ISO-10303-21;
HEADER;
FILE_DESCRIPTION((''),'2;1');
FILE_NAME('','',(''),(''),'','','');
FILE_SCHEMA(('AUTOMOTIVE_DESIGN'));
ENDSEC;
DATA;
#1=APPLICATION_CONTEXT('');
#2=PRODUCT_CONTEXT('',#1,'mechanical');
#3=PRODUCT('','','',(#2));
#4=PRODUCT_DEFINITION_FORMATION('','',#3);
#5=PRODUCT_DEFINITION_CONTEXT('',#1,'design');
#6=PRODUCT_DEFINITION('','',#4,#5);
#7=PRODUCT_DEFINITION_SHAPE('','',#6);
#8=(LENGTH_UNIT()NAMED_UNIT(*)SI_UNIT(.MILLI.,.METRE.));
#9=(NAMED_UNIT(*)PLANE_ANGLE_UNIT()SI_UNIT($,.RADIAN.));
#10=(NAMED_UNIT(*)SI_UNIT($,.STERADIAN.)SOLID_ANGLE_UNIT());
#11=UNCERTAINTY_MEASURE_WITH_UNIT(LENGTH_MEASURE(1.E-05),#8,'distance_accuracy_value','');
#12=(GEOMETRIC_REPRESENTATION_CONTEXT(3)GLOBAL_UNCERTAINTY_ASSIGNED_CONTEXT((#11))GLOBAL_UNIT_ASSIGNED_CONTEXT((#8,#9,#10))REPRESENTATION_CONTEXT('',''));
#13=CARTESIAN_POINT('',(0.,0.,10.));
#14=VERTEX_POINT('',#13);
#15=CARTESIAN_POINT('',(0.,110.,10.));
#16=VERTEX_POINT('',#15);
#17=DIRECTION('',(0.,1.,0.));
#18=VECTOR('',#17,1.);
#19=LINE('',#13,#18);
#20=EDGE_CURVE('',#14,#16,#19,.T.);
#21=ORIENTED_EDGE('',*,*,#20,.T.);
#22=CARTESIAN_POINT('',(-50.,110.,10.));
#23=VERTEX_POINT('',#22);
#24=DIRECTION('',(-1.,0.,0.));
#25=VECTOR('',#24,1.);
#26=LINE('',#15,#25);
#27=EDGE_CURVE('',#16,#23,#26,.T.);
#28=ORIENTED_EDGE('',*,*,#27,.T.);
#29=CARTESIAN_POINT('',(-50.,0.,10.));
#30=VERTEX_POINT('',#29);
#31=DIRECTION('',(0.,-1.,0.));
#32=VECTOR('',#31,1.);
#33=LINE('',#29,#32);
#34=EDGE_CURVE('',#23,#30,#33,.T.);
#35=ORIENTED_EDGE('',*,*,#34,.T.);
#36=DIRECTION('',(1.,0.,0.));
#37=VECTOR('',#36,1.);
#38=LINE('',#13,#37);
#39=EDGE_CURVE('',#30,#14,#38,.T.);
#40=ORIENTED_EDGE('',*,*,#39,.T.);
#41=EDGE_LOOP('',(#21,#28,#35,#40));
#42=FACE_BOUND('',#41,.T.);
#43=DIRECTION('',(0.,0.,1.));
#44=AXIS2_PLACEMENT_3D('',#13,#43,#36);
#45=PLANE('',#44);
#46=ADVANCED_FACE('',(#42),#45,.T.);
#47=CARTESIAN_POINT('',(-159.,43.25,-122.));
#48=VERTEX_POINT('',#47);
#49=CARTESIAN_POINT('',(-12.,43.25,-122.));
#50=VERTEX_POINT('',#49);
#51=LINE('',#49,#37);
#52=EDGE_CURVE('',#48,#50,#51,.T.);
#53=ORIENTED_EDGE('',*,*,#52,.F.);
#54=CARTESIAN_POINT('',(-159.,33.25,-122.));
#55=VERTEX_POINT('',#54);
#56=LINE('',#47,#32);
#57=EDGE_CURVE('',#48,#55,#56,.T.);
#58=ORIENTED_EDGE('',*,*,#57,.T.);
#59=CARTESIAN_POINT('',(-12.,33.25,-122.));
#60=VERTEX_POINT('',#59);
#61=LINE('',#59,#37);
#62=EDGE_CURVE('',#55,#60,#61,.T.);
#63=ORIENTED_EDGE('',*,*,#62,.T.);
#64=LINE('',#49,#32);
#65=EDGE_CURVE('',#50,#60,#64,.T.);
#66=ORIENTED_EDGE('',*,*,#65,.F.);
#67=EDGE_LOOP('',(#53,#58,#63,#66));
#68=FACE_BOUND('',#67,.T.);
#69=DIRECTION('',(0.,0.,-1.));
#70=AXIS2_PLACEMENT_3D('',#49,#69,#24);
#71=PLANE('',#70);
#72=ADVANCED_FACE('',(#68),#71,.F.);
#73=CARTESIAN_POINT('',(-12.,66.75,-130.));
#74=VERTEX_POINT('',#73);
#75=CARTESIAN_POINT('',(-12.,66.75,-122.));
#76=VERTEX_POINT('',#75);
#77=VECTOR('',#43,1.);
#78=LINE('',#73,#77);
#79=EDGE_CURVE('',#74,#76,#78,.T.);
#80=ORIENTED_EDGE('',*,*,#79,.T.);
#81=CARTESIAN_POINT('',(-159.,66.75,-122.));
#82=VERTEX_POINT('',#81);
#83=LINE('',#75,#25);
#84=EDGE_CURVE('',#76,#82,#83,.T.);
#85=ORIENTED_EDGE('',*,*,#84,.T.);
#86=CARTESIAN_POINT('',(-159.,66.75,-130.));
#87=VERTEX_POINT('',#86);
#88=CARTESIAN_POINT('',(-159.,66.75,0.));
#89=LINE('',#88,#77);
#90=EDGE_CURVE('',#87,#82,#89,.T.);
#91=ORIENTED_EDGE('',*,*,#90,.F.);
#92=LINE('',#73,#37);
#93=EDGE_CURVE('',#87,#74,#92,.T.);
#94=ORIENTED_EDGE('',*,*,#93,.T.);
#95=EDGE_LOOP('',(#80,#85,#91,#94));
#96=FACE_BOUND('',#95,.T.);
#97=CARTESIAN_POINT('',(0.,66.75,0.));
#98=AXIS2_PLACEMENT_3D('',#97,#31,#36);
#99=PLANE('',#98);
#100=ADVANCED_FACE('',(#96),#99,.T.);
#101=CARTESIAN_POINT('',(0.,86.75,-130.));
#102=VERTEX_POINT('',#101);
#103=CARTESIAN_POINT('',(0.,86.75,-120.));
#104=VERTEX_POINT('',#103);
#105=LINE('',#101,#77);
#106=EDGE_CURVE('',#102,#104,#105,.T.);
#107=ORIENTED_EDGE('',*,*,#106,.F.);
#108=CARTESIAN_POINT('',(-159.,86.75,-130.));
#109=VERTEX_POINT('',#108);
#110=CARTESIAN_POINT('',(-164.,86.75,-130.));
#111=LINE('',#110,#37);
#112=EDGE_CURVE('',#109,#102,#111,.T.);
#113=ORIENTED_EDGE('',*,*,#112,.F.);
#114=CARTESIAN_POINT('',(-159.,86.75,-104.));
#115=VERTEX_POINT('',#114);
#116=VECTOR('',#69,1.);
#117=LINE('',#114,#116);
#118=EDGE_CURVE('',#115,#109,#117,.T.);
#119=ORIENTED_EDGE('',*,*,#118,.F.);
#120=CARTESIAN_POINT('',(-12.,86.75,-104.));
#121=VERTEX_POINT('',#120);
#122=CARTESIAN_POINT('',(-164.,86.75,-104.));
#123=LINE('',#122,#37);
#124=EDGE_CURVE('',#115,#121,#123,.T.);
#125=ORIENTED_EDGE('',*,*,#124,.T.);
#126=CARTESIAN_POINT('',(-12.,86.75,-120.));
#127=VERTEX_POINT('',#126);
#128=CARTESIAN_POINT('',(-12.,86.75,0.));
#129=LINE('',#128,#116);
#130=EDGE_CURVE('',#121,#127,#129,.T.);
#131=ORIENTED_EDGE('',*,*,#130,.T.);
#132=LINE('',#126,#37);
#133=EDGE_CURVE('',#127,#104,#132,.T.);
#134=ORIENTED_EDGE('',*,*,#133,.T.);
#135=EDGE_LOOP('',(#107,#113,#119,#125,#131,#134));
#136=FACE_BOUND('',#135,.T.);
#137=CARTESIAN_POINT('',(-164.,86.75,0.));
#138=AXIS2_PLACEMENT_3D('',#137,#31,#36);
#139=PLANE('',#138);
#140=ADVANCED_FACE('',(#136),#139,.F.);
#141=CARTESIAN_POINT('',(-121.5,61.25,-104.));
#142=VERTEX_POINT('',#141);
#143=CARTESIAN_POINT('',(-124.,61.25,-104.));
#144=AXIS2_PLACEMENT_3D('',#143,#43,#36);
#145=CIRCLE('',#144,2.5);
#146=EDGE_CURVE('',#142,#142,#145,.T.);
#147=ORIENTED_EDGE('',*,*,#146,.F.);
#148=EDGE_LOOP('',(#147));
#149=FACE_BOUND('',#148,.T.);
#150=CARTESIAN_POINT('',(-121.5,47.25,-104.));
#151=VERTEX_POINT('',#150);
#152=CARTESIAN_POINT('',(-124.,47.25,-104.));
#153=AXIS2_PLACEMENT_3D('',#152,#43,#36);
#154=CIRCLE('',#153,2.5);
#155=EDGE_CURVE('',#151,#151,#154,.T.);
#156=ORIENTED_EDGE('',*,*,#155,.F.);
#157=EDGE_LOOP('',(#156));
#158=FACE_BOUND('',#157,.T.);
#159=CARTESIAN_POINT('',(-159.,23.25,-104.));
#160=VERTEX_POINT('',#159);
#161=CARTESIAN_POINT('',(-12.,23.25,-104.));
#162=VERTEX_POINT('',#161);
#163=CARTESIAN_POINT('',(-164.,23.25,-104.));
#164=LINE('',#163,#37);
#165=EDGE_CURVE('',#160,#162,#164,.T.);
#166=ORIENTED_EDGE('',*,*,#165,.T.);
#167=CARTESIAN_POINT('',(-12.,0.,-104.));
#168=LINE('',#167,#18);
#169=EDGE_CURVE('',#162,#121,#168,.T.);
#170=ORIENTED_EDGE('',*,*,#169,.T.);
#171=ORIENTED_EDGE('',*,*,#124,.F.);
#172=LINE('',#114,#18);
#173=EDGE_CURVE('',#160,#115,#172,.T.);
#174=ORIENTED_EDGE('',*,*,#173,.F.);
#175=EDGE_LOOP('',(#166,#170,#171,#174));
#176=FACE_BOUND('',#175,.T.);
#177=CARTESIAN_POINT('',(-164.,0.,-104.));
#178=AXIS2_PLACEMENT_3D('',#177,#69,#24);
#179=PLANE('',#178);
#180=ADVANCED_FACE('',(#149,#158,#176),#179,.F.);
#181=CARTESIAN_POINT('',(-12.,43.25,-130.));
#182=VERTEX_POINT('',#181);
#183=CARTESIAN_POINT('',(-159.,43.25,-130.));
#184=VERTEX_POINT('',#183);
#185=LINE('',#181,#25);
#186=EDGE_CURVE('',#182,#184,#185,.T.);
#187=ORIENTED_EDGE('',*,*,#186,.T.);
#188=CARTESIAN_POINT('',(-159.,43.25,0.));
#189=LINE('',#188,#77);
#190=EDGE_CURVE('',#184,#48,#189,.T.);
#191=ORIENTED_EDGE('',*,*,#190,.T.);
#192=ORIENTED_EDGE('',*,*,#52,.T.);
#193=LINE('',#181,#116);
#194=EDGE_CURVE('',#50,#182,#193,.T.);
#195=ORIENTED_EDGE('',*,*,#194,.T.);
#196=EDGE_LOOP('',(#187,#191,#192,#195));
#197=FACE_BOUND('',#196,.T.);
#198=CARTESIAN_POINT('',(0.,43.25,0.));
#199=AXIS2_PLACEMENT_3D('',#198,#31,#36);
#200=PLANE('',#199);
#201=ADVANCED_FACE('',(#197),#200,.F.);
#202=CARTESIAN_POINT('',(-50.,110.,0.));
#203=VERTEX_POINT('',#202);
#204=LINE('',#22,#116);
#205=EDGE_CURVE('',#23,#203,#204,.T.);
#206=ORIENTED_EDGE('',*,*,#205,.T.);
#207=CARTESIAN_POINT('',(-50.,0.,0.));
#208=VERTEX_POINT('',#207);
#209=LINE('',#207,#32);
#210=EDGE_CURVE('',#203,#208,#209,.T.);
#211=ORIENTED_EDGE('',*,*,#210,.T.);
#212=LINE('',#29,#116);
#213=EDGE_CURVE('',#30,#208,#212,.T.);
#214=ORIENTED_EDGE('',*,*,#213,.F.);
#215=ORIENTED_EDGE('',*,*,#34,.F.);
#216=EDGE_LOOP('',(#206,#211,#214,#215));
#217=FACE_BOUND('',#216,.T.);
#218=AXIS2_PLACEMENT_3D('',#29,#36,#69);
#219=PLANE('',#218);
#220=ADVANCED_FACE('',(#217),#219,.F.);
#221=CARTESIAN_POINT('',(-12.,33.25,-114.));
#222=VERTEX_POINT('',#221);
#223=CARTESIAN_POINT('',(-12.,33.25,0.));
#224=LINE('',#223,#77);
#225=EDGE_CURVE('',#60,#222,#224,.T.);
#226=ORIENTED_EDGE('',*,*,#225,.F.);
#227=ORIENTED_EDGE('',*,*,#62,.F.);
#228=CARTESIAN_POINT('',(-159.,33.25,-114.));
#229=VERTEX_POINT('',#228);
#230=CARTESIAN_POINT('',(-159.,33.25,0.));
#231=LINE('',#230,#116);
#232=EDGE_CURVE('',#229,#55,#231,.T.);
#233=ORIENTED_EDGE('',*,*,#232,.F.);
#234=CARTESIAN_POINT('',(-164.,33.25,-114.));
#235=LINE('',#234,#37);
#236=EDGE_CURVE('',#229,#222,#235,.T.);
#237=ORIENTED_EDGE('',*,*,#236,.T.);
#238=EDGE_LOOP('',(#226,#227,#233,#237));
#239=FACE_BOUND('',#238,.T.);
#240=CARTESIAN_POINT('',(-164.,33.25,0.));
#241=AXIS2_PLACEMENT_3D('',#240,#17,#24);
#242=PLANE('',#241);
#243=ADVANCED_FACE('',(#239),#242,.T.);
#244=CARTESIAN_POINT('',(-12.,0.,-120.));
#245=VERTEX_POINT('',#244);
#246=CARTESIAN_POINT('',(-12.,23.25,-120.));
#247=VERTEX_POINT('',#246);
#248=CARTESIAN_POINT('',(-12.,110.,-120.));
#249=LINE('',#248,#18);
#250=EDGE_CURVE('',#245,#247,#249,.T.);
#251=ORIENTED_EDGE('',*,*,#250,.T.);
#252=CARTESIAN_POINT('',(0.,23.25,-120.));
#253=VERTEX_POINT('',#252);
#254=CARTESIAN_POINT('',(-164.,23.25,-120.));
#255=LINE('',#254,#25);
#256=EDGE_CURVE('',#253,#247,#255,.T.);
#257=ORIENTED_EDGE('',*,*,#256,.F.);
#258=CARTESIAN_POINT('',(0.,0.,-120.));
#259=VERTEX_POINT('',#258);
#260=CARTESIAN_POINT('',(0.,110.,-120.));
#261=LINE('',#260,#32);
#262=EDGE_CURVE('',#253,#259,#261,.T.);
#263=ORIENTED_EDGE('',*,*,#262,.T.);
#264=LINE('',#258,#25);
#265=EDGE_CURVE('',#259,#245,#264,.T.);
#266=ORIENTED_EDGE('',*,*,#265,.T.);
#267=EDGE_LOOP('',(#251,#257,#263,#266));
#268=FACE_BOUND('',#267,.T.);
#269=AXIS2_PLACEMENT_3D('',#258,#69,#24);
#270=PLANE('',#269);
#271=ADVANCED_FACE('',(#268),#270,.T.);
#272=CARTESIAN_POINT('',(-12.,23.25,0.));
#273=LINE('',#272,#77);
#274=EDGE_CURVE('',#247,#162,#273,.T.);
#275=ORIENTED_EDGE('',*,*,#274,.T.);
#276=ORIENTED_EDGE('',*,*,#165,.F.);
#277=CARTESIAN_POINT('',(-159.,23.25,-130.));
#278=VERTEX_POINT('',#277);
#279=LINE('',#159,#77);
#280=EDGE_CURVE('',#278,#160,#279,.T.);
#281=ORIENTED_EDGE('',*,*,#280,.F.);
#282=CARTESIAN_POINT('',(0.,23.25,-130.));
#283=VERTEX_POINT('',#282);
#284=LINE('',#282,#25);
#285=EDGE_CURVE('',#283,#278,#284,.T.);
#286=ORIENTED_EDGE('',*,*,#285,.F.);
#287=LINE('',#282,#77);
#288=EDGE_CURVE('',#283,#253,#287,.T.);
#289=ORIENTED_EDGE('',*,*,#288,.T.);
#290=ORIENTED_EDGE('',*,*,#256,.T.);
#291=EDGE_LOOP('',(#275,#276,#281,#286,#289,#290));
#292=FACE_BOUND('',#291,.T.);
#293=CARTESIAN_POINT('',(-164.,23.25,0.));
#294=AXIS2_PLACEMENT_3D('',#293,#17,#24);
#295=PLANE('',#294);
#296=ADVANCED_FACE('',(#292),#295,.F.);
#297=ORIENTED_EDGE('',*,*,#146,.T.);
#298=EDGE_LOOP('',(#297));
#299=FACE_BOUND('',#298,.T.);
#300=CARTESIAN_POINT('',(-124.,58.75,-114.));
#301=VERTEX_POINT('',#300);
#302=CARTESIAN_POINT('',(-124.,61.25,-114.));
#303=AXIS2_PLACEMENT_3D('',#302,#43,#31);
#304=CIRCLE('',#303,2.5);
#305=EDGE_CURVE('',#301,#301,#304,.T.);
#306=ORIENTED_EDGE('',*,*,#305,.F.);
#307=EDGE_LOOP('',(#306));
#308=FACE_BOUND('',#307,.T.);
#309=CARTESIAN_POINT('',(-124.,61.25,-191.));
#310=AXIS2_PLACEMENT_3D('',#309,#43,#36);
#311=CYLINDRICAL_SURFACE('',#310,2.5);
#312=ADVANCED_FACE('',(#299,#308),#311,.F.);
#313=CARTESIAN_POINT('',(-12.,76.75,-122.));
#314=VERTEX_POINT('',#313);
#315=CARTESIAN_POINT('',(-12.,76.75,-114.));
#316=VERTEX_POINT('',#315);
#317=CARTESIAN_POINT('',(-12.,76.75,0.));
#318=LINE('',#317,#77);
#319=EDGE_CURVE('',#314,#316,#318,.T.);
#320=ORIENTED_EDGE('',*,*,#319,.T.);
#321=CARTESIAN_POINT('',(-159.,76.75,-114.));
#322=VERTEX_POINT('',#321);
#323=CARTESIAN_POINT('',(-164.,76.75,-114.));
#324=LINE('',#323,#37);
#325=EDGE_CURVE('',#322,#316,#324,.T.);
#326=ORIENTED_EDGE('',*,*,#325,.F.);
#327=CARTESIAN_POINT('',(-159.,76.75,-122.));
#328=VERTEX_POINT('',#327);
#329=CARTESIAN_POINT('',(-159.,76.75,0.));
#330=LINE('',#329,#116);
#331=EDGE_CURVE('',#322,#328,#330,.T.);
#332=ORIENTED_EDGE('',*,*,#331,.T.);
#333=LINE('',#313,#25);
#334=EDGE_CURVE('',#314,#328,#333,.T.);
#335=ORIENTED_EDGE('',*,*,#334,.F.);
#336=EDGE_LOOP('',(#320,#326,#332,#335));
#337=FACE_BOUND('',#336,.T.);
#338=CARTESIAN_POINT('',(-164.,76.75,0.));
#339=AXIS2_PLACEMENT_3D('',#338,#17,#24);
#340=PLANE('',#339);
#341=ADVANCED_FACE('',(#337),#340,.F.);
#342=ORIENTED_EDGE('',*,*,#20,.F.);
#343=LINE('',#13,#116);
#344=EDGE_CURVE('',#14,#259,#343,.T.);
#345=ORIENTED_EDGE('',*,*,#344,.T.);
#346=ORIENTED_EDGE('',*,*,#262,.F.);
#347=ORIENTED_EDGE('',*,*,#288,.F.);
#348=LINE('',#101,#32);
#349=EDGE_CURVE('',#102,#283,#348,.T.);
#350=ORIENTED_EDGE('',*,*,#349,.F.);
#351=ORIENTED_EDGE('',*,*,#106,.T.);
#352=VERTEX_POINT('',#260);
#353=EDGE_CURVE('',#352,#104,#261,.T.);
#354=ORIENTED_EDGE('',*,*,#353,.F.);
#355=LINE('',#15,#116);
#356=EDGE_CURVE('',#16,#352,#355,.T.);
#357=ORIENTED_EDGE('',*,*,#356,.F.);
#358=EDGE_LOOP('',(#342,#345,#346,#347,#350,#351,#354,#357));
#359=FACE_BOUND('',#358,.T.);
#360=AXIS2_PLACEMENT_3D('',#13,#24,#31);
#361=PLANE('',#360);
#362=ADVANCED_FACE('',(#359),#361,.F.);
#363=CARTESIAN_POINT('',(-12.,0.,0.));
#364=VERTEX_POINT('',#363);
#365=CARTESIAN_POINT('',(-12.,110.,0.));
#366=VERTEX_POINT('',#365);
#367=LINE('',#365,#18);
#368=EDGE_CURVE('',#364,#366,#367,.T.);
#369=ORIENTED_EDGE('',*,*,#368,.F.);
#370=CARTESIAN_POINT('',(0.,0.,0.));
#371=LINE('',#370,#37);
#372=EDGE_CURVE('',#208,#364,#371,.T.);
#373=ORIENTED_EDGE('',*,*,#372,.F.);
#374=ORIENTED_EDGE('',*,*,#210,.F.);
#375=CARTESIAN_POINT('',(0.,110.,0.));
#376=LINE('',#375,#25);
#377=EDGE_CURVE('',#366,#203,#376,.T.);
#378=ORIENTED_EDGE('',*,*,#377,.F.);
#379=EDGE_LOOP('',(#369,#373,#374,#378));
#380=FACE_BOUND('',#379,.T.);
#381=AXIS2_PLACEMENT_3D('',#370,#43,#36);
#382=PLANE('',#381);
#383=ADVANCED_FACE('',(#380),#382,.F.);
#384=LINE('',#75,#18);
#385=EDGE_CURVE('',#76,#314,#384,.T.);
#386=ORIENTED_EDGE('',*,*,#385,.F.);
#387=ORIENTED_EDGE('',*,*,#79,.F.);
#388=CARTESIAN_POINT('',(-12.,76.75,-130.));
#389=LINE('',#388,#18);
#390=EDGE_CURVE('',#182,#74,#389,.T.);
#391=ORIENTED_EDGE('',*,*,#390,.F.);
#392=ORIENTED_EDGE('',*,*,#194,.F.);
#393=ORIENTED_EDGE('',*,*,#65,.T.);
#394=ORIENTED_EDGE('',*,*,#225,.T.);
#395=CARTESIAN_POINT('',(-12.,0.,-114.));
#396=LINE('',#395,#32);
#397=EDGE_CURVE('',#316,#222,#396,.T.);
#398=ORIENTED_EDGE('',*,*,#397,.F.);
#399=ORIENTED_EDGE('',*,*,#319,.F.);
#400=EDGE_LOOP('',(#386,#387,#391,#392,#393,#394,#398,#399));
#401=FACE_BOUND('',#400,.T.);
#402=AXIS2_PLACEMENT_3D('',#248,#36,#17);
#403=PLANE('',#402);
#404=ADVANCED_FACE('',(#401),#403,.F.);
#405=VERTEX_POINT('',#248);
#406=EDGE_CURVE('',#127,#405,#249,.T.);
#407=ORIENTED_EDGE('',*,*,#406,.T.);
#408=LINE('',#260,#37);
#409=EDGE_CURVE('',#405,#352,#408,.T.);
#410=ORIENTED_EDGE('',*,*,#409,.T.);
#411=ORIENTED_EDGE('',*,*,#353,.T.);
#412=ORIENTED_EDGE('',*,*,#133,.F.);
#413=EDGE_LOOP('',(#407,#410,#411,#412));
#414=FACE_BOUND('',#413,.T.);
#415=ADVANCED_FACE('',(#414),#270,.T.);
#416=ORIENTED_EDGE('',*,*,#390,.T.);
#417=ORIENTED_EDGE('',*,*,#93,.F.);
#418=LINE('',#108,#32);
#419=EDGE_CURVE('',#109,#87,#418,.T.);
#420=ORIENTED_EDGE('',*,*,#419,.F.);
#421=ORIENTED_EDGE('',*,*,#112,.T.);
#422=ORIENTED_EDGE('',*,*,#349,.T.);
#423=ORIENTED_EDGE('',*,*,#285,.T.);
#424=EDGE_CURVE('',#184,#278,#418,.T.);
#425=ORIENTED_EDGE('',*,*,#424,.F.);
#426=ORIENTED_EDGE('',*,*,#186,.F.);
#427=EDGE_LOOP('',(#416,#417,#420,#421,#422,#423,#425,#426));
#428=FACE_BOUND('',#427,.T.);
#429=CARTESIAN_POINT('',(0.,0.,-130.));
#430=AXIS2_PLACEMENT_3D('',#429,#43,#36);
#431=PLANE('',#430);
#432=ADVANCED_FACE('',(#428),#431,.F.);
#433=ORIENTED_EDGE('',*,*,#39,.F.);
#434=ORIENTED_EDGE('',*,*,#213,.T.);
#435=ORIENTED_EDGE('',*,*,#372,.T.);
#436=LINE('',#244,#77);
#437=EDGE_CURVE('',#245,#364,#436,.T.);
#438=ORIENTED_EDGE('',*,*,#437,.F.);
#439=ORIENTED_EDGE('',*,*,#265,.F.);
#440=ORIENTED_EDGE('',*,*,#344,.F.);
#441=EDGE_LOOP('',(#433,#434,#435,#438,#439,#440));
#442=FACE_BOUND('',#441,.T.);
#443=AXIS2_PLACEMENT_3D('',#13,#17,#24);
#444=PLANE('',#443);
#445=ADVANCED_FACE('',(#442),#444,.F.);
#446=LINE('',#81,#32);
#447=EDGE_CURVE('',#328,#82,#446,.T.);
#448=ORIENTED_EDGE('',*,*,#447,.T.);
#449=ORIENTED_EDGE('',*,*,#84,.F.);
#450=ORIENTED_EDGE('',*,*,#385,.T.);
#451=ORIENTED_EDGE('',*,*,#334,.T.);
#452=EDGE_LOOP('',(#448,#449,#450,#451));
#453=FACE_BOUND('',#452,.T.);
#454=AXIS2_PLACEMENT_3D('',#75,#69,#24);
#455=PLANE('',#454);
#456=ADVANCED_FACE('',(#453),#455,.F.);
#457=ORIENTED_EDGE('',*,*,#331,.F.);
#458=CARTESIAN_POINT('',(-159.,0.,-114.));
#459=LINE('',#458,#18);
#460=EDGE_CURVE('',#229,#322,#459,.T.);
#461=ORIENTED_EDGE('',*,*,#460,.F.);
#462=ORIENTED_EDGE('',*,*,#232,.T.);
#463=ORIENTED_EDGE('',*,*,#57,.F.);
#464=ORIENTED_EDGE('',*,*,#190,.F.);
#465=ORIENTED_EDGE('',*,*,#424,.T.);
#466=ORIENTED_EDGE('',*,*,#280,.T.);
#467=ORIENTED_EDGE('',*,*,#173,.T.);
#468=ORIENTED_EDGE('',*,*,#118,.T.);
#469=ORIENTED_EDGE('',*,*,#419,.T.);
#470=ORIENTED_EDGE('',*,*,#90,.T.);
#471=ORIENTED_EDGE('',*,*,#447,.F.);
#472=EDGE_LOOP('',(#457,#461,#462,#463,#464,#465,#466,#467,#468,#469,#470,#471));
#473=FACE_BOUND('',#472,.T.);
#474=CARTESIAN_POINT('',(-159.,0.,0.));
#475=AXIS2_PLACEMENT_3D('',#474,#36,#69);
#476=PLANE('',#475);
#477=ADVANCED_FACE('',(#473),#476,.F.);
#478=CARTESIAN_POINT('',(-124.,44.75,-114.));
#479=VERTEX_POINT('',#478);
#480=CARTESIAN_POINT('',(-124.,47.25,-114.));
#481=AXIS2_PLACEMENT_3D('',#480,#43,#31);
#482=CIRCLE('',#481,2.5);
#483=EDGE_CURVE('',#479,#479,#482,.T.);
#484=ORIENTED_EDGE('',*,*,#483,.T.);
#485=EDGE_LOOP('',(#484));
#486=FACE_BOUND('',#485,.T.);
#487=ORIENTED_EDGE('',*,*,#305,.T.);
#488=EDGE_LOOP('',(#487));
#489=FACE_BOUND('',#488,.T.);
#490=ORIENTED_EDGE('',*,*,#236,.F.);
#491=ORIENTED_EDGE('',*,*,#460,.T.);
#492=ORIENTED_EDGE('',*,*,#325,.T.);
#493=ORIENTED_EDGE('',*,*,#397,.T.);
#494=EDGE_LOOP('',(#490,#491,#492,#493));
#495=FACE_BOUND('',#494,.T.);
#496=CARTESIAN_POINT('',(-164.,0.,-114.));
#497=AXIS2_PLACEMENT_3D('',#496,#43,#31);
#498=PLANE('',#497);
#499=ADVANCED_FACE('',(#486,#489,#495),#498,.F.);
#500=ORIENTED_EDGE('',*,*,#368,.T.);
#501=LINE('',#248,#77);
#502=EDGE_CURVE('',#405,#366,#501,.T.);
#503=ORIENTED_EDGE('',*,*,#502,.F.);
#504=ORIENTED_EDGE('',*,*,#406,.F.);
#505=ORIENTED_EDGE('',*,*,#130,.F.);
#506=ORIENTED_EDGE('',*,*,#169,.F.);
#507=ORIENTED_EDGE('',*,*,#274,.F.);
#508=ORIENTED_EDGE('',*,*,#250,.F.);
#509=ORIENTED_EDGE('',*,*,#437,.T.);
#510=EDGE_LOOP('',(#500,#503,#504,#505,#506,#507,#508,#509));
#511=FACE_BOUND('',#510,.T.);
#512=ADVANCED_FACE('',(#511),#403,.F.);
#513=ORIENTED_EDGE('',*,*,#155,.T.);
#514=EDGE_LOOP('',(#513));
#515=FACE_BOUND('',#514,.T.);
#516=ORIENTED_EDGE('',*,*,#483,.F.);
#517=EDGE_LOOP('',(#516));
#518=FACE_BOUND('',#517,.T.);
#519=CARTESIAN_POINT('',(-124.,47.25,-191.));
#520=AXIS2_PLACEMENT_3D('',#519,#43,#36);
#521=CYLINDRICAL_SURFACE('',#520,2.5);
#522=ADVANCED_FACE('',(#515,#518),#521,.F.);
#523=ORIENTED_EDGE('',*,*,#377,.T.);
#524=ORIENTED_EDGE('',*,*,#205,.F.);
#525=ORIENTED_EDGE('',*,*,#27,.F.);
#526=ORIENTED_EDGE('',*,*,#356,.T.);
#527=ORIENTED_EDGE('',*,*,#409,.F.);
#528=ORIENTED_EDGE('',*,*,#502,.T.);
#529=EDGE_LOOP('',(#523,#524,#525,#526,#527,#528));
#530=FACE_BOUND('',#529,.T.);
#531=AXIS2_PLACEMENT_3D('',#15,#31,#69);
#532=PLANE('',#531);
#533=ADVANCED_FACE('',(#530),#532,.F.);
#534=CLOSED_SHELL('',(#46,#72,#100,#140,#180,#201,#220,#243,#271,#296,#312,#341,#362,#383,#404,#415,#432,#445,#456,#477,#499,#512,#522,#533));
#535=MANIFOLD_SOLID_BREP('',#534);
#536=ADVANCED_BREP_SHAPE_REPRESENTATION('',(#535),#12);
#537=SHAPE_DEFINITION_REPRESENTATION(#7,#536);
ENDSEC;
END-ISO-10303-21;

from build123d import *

# Parameters (mm, degrees)
SKETCH1_W           = 50
SKETCH1_H           = 110
BOSS_EXTRUDE1_DEPTH = 10
SKETCH2_W           = 12
SKETCH2_H           = 110
BOSS_EXTRUDE2_DEPTH = 120
BOSS_EXTRUDE4_DEPTH = 152
BOSS_EXTRUDE5_DEPTH = 10
SKETCH5_W           = 152
SKETCH5_H           = 8
BOSS_EXTRUDE6_DEPTH = 10
SKETCH6_W           = 152
SKETCH6_H           = 8
BOSS_EXTRUDE7_DEPTH = 10
SKETCH7_R           = 2.5
CUT_EXTRUDE1_DEPTH  = 87
SKETCH8_W           = 26
SKETCH8_H           = 63.5
CUT_EXTRUDE2_DEPTH  = 5


with BuildPart() as part:
    # Sketch1 → Boss-Extrude1 (new body)
    with BuildSketch(Plane.XY):
        with Locations((-25, 55)):
            Rectangle(SKETCH1_W, SKETCH1_H)
    extrude(amount=BOSS_EXTRUDE1_DEPTH)

    # Sketch2 → Boss-Extrude2 (add)
    with BuildSketch(Plane(origin=(0, 0, 0), x_dir=(-1, 0, 0), z_dir=(0, 0, -1))):
        with Locations((6, 55)):
            Rectangle(SKETCH2_W, SKETCH2_H)
    extrude(amount=BOSS_EXTRUDE2_DEPTH)

    # Sketch3 → Boss-Extrude4 (add)
    with BuildSketch(Plane.ZY.offset(12)):
        Polygon((-120, 86.75), (-120, 76.75), (-114, 76.75), (-114, 33.25), (-120, 33.25), (-120, 23.25), (-104, 23.25), (-104, 86.75), align=None)
    extrude(amount=BOSS_EXTRUDE4_DEPTH)

    # Sketch4 → Boss-Extrude5 (add)
    with BuildSketch(Plane(origin=(0, 0, -120), x_dir=(-1, 0, 0), z_dir=(0, 0, -1))):
        Polygon((12, 86.75), (0, 86.75), (0, 23.25), (12, 23.25), (164, 23.25), (164, 33.25), (12, 33.25), (12, 76.75), (164, 76.75), (164, 86.75), align=None)
    extrude(amount=BOSS_EXTRUDE5_DEPTH)

    # Sketch5 → Boss-Extrude6 (add)
    with BuildSketch(Plane.XZ.offset(-76.75)):
        with Locations((-88, -126)):
            Rectangle(SKETCH5_W, SKETCH5_H)
    extrude(amount=BOSS_EXTRUDE6_DEPTH)

    # Sketch6 → Boss-Extrude7 (add)
    with BuildSketch(Plane(origin=(0, 33.25, 0), x_dir=(1, 0, 0), z_dir=(0, 1, 0))):
        with Locations((-88, 126)):
            Rectangle(SKETCH6_W, SKETCH6_H)
    extrude(amount=BOSS_EXTRUDE7_DEPTH)

    # Sketch7 → Cut-Extrude1 (cut)
    with BuildSketch(Plane.XY.offset(-104)):
        with Locations((-124, 61.25)):
            Circle(SKETCH7_R)
        with Locations((-124, 47.25)):
            Circle(SKETCH7_R)
    extrude(amount=-CUT_EXTRUDE1_DEPTH, mode=Mode.SUBTRACT)

    # Sketch8 → Cut-Extrude2 (cut)
    with BuildSketch(Plane.ZY.offset(164)):
        with Locations((-117, 55)):
            Rectangle(SKETCH8_W, SKETCH8_H)
    extrude(amount=-CUT_EXTRUDE2_DEPTH, mode=Mode.SUBTRACT)


solid = part.part
